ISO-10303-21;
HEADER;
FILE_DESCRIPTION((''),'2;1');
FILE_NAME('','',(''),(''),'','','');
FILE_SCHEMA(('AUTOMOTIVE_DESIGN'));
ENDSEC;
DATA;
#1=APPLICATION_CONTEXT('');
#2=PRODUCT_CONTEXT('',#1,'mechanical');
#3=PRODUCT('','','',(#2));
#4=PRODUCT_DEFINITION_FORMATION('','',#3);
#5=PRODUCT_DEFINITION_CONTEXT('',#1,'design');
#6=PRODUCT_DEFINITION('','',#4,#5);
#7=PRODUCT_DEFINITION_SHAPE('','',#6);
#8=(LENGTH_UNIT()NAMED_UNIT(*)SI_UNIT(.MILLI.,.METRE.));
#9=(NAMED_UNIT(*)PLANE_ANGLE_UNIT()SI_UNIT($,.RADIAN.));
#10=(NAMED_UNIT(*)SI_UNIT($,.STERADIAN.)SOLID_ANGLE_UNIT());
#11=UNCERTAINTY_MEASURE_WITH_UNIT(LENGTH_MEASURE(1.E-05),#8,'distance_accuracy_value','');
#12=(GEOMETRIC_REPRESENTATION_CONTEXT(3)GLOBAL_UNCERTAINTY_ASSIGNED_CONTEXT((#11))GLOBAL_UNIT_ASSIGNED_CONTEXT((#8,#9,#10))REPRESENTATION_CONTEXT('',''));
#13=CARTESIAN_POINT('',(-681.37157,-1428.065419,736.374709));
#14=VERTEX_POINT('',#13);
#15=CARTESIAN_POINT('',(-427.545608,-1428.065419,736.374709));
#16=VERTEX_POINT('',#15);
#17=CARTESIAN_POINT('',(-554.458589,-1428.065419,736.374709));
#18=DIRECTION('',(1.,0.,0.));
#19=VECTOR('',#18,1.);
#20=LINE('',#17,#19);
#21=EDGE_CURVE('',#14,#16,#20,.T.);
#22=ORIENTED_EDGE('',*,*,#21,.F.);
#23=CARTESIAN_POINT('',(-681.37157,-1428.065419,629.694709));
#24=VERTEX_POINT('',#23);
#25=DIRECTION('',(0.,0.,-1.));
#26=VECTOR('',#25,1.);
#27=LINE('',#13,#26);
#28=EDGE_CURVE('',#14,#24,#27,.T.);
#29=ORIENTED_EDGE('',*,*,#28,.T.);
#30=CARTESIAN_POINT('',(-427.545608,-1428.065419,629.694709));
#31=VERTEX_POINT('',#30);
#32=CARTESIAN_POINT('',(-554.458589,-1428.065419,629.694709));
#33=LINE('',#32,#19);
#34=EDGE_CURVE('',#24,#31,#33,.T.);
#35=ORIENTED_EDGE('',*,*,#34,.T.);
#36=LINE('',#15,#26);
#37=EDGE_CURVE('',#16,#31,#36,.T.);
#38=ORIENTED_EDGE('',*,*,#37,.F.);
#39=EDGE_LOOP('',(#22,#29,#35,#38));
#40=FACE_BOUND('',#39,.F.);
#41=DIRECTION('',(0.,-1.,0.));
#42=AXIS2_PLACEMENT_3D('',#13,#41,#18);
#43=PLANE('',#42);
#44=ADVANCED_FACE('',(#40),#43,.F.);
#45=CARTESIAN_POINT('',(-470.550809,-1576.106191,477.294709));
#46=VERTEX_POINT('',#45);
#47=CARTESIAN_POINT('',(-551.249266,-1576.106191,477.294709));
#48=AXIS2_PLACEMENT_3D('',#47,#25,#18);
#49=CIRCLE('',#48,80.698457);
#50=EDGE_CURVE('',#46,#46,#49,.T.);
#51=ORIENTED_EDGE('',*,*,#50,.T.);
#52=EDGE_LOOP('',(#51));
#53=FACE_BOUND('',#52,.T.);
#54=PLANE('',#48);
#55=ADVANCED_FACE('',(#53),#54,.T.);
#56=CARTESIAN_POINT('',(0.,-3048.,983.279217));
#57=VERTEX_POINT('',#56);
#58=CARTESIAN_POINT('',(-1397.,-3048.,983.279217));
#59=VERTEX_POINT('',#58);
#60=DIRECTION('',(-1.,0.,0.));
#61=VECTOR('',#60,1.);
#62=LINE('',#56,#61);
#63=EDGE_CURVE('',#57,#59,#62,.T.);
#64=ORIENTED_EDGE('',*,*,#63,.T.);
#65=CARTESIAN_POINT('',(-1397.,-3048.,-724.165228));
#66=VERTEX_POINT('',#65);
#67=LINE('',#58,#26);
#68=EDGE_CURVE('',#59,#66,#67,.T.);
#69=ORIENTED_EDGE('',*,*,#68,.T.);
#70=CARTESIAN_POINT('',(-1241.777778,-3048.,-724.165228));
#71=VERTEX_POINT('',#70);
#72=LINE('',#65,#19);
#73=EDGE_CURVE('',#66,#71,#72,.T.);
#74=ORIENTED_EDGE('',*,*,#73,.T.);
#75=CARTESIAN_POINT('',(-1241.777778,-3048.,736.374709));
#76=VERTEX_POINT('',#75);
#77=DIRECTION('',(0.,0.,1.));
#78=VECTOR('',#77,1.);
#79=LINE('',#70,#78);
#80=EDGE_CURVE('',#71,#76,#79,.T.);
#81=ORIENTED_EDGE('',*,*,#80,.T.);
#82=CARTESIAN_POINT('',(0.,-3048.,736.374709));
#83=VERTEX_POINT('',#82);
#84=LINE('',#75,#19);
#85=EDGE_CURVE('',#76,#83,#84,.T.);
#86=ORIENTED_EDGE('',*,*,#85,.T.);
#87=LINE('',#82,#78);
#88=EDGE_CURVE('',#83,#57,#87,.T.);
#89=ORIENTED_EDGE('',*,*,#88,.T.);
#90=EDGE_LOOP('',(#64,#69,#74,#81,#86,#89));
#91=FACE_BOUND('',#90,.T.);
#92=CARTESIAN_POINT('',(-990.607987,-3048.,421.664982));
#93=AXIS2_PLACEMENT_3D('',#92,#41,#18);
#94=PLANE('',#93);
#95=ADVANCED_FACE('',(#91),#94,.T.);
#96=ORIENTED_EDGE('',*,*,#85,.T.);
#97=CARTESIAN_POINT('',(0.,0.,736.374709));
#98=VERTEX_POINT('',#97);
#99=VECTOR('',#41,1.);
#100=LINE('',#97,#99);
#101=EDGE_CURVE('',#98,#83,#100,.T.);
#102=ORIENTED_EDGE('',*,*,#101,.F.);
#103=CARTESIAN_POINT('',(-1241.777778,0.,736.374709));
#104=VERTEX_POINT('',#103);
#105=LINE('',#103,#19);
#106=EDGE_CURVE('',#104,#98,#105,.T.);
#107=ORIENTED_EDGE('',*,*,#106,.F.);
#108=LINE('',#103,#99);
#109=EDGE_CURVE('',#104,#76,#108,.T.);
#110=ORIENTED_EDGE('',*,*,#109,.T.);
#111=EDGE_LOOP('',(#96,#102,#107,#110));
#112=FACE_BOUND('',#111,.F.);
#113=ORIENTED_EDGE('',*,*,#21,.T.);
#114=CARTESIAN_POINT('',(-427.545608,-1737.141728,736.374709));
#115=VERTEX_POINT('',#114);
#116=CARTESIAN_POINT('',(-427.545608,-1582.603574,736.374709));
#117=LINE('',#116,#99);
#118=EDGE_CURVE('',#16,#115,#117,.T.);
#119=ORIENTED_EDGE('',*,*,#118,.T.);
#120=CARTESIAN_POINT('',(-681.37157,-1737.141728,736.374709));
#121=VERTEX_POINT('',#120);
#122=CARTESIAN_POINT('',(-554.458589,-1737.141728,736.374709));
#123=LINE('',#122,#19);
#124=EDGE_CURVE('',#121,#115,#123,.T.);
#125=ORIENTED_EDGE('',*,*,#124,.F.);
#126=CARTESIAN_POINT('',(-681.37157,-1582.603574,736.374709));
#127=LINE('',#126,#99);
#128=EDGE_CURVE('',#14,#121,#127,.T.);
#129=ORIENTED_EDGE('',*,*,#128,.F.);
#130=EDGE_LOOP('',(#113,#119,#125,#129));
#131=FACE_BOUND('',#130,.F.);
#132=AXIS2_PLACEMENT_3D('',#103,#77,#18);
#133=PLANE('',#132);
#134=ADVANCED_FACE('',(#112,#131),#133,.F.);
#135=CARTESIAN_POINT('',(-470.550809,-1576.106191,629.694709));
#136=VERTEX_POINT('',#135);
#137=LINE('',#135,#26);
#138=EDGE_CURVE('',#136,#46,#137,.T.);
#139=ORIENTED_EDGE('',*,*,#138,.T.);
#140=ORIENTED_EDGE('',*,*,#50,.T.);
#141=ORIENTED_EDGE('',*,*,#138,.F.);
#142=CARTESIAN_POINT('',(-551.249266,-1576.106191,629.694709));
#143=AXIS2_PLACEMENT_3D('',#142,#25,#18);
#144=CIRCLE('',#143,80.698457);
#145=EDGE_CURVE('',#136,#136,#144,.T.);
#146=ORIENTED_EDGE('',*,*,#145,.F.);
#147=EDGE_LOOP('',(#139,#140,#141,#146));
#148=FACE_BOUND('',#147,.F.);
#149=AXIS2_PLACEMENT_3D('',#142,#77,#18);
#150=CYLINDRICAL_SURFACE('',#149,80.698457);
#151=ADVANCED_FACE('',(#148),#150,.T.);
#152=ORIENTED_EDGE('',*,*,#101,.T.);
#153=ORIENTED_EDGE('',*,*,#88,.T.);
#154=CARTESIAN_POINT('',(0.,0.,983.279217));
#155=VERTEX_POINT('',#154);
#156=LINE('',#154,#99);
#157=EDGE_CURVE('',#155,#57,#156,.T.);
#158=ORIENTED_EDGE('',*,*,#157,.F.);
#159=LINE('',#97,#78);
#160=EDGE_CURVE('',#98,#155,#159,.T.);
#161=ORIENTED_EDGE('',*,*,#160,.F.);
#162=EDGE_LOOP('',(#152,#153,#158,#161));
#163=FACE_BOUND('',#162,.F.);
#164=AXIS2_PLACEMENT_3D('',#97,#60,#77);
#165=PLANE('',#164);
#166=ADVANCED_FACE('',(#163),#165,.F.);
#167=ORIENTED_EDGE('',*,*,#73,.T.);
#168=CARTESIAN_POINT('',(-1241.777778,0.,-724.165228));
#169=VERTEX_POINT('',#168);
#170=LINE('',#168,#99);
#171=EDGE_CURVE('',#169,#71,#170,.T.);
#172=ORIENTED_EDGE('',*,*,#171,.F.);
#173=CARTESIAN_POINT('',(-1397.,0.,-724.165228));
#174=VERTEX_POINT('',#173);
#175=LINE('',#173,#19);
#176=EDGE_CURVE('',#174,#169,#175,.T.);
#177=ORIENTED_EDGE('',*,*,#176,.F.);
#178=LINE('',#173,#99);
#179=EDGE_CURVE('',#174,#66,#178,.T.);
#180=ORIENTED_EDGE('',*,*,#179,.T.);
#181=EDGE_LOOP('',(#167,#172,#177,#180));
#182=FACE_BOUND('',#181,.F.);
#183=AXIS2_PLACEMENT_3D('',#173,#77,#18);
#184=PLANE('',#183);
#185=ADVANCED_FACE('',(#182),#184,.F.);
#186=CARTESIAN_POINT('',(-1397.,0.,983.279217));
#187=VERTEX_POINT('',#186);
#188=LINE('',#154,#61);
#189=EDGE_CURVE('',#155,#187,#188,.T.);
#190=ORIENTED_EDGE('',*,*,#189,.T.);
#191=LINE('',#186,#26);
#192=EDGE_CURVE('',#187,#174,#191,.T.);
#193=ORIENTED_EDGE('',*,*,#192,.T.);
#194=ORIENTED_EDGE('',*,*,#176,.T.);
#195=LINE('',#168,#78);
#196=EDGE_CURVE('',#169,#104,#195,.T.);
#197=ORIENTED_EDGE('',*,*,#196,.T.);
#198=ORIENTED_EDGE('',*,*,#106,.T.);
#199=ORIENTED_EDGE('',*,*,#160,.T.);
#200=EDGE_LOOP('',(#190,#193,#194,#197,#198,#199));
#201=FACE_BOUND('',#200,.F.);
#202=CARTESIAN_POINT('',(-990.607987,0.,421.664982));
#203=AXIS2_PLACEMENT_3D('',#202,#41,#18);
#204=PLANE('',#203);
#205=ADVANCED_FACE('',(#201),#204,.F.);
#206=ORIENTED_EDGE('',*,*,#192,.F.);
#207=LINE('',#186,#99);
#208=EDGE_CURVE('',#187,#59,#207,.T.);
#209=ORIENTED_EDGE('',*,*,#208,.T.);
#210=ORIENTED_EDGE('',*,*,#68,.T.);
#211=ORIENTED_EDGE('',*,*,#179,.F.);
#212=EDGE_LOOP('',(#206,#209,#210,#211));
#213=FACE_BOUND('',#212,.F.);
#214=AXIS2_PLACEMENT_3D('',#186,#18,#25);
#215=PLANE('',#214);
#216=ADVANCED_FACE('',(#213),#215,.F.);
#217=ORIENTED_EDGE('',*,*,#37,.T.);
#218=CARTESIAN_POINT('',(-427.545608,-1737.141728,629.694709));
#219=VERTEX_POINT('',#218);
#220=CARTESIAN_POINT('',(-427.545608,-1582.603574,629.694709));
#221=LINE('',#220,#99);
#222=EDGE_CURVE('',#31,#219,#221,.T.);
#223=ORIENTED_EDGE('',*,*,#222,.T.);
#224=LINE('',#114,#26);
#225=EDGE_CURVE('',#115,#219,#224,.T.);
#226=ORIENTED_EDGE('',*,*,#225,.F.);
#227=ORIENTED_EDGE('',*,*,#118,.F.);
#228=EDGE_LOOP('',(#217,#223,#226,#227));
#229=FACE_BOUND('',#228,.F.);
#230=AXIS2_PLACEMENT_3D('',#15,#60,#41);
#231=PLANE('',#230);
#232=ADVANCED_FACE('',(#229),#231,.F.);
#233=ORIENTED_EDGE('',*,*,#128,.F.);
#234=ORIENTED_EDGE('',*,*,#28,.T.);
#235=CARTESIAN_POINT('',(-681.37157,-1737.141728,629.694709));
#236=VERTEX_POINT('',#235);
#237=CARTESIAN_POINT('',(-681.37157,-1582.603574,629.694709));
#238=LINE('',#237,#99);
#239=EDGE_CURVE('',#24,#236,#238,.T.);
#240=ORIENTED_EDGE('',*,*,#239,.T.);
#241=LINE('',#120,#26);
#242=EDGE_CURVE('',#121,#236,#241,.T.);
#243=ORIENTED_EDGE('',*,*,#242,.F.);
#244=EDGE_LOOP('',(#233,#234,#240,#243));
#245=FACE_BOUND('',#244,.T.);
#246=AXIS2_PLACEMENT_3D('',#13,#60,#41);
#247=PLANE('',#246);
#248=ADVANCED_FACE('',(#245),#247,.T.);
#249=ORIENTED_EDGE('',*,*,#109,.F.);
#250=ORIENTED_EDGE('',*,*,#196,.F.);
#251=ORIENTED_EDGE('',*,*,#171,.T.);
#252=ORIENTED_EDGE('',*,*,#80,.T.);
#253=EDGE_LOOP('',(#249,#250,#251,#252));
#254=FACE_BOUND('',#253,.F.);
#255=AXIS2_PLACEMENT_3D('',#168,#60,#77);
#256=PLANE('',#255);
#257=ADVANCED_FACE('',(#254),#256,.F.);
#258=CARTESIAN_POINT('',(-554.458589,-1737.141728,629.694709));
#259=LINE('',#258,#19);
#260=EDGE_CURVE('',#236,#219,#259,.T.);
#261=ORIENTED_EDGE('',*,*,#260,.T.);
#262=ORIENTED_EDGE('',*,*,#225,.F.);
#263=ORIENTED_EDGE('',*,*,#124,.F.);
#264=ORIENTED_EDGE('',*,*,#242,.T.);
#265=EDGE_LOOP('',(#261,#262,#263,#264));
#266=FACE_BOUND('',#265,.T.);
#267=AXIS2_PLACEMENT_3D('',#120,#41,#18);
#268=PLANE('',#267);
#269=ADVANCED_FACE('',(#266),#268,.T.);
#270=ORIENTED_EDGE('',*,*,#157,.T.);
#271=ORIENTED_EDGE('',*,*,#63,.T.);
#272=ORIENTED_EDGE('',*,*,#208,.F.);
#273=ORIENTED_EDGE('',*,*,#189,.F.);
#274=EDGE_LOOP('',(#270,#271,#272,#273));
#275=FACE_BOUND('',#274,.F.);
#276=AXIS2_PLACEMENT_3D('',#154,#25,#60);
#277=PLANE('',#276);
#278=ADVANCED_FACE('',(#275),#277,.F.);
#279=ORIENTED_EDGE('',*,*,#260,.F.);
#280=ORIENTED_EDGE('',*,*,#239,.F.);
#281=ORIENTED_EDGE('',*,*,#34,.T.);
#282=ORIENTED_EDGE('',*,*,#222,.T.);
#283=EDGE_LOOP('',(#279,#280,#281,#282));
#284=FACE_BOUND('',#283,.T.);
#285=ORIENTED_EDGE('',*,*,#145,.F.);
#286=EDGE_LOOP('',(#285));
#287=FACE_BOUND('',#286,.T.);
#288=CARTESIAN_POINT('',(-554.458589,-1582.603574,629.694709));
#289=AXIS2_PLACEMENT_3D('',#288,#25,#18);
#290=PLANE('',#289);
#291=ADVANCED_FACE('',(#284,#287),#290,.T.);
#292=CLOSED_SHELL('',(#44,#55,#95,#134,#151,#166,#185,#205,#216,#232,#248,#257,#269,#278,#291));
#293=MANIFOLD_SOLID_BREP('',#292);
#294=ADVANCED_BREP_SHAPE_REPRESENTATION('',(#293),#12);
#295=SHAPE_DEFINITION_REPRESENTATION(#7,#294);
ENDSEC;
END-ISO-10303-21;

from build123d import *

# Parameters (mm, degrees)
F1_DEPTH = 3048
F2_W     = 253.825963
F2_H     = 309.076309
F3_DEPTH = 106.68
F4_R     = 80.698457
F5_DEPTH = 152.4


with BuildPart() as f1:
    # F0 (on Front) → F1 (new body)
    with BuildSketch(Plane.XZ):
        Polygon((-1397, -724.165228), (-1241.777778, -724.165228), (-1241.777778, 736.374709), (-445.169207, 736.374709), (-232.973195, 736.374709), (0, 736.374709), (0, 983.279217), (-1397, 983.279217), align=None)
    extrude(amount=F1_DEPTH)

    # F2 (on face) → F3 (join)
    with BuildSketch(Plane(origin=(0, 0, 736.374709), x_dir=(1, 0, 0), z_dir=(0, 0, -1))):
        with Locations((-554.458589, 1582.603574)):
            Rectangle(F2_W, F2_H)
    extrude(amount=F3_DEPTH)

    # F4 (on face) → F5 (join)
    with BuildSketch(Plane(origin=(0, 0, 629.694709), x_dir=(1, 0, 0), z_dir=(0, 0, -1))):
        with Locations((-551.249266, 1576.106191)):
            Circle(F4_R)
    extrude(amount=F5_DEPTH)


solid = f1.part
